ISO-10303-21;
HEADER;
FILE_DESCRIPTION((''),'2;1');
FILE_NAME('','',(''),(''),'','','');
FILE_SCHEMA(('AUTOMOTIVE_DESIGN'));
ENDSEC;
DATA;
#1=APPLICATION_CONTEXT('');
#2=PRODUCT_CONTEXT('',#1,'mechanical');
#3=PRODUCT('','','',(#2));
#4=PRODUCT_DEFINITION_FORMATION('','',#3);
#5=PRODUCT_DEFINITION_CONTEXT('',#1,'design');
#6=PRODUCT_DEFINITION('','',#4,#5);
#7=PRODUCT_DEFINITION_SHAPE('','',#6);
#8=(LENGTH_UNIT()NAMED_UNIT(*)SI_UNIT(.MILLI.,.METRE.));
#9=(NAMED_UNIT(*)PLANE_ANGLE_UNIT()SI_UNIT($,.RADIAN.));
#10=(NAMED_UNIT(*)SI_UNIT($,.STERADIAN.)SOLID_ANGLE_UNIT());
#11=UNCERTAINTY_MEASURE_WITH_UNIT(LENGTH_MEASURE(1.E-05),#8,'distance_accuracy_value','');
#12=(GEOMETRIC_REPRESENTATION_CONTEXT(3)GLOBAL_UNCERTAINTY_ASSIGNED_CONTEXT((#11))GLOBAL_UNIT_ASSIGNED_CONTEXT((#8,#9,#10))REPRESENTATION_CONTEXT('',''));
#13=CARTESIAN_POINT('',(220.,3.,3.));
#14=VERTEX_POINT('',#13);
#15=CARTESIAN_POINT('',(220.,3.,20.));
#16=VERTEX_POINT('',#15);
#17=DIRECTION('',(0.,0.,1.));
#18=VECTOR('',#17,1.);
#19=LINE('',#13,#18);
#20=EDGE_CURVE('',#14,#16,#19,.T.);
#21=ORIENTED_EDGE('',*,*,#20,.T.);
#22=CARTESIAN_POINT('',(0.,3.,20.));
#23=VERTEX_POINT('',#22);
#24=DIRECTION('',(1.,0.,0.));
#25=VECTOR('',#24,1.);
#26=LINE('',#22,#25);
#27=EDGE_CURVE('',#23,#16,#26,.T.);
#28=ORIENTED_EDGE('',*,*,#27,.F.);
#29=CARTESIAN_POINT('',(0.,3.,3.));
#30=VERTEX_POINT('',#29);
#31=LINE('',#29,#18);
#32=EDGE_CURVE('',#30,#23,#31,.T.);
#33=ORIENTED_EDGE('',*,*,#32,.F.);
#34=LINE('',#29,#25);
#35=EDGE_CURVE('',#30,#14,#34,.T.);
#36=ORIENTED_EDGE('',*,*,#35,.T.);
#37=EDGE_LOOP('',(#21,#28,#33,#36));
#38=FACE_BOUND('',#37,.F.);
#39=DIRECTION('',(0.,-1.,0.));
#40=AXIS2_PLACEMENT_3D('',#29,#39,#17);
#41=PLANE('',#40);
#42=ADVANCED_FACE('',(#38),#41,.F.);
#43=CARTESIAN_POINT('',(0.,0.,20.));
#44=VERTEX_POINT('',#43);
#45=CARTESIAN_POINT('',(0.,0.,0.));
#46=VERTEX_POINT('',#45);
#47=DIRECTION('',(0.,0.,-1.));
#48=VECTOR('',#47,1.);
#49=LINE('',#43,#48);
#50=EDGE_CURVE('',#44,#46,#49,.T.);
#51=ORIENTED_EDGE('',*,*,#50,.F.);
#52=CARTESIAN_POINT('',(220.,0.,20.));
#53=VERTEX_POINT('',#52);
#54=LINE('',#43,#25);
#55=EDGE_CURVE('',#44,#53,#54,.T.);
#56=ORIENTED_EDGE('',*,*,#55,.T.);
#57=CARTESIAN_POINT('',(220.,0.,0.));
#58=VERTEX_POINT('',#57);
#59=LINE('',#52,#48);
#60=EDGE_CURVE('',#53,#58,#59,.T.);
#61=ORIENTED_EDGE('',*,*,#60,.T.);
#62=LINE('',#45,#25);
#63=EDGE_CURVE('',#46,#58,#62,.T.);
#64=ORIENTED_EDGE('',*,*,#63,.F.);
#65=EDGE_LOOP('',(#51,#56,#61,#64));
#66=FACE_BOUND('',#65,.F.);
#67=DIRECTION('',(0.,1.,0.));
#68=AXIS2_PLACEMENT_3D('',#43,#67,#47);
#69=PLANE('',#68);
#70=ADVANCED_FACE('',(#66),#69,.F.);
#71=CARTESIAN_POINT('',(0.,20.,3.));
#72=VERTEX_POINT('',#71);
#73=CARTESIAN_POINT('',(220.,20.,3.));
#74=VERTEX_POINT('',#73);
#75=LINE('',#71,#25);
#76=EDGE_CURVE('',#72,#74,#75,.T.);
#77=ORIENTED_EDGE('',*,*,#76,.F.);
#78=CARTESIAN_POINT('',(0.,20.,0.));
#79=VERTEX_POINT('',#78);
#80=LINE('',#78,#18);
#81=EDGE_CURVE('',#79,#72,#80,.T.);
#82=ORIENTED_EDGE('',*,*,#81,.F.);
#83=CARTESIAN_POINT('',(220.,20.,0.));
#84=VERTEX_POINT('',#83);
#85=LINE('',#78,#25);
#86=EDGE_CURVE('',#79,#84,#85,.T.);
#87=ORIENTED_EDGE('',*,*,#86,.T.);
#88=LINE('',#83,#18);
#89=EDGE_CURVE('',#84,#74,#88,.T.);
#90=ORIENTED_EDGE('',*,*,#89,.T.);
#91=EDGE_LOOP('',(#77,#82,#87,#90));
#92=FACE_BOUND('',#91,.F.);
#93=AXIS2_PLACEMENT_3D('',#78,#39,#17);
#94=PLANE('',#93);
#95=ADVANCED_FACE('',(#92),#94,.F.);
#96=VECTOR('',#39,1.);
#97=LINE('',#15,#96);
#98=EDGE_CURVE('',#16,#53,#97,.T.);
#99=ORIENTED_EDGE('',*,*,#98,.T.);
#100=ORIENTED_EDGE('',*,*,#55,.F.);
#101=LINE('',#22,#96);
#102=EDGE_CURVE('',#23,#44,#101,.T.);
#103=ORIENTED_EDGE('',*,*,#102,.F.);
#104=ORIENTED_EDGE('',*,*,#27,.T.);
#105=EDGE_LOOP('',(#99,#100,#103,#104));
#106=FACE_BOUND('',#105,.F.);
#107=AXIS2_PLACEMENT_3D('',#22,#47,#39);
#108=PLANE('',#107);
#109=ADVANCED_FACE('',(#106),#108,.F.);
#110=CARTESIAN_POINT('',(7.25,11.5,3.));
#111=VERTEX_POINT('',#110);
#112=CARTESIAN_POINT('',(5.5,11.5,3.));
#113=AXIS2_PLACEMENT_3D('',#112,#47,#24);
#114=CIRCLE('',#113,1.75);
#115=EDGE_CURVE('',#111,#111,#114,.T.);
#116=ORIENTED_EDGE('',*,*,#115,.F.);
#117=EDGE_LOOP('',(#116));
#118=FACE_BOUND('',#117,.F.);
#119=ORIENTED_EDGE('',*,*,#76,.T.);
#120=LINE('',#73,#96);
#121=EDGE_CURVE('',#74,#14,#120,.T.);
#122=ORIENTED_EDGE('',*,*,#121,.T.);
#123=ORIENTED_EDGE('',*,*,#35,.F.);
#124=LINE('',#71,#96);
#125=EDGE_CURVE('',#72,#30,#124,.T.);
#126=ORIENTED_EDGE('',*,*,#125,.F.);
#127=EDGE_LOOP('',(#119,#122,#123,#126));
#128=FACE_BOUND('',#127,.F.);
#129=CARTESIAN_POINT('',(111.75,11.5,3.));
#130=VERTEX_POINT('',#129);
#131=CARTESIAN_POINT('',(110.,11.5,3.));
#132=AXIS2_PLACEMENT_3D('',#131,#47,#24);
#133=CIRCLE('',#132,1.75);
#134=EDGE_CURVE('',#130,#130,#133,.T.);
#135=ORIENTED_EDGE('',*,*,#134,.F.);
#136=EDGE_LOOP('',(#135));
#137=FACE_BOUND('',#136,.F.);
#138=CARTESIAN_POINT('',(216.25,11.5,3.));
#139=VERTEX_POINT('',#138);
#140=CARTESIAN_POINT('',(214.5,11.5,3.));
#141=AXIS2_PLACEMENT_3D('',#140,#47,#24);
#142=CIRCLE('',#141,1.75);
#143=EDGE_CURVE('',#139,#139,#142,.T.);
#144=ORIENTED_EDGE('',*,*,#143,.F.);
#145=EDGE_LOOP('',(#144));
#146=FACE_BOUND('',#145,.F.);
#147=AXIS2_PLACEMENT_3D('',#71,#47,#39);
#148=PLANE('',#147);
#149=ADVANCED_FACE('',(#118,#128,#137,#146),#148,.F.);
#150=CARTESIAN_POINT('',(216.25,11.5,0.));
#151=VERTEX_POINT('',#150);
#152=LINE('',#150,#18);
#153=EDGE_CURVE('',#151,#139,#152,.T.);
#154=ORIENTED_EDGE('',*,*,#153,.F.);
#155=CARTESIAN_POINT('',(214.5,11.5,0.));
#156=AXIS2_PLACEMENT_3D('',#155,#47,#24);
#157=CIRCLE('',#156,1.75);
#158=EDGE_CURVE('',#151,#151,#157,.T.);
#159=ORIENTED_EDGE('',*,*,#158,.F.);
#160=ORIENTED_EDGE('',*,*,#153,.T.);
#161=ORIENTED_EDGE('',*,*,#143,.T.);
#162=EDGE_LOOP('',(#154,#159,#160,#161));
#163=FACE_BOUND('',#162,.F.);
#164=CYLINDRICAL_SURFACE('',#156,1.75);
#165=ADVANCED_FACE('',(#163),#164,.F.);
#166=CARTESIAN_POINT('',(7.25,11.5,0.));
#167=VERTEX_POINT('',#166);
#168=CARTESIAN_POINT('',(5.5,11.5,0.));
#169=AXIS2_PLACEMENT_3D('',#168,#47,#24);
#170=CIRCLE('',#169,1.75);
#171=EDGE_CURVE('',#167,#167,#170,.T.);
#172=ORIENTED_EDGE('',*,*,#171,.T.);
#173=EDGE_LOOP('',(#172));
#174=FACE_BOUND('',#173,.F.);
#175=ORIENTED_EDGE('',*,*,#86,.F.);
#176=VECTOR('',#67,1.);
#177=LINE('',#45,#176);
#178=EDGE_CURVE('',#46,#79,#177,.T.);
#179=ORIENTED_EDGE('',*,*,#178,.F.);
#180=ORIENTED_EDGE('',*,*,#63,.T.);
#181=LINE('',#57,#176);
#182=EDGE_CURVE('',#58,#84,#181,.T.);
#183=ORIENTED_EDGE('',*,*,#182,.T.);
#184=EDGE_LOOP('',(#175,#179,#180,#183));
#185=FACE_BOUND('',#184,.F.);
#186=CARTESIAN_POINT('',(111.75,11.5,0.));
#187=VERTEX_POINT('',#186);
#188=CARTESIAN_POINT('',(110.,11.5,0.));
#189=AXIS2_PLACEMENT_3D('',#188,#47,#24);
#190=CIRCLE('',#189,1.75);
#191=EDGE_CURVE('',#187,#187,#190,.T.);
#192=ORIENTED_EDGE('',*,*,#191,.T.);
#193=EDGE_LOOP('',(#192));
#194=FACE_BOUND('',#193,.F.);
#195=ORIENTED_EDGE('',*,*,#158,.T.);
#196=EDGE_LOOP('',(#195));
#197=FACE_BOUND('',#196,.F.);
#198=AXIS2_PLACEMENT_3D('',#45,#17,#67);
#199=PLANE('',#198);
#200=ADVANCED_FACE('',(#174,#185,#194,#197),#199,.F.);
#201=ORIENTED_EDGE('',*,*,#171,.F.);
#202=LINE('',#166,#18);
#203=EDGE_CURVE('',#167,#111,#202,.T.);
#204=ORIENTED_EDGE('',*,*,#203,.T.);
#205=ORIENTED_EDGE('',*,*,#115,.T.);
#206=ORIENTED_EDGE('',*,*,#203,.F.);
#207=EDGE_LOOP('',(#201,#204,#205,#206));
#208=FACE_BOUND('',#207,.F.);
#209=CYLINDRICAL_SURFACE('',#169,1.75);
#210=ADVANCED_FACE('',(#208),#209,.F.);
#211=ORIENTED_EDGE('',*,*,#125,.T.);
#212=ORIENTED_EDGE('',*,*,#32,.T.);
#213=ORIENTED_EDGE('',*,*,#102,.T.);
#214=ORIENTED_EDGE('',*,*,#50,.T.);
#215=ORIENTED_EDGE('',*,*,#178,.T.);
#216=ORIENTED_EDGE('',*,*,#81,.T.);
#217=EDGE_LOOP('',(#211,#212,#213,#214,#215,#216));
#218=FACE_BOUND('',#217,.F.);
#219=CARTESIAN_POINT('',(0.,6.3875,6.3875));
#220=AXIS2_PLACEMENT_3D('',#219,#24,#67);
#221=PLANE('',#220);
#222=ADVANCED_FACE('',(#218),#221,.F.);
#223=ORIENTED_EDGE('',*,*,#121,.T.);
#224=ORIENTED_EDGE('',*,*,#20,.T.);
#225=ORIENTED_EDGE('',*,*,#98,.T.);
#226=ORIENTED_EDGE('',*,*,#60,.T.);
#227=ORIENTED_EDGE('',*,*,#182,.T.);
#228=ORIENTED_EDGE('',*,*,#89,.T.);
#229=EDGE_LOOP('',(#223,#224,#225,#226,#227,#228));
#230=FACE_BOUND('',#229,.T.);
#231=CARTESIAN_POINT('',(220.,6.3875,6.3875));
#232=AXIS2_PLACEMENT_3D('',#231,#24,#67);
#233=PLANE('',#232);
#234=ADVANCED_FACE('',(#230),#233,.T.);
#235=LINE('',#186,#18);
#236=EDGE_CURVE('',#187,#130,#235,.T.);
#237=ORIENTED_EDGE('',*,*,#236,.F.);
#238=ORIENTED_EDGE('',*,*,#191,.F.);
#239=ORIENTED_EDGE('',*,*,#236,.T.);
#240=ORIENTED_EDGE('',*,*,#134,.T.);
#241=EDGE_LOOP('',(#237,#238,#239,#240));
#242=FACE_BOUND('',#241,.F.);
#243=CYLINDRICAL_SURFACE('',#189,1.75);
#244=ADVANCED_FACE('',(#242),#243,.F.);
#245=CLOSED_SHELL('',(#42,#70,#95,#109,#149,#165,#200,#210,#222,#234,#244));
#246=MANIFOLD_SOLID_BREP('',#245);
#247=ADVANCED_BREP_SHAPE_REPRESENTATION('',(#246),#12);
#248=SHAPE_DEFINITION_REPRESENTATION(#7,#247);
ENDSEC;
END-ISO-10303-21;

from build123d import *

# Parameters (mm, degrees)
F1_DEPTH = 220
F2_R     = 1.75
F3_DEPTH = 25


with BuildPart() as f1:
    # F0 (on Right) → F1 (new body)
    with BuildSketch(Plane.YZ):
        Polygon((0, 20), (0, 0), (20, 0), (20, 3), (3, 3), (3, 20), align=None)
    extrude(amount=F1_DEPTH)

    # F2 (on face) → F3 (cut)
    with BuildSketch(Plane(origin=(0, 0, 0), x_dir=(1, 0, 0), z_dir=(0, 0, -1))):
        with Locations((5.5, -11.5)):
            Circle(F2_R)
        with Locations((110, -11.5)):
            Circle(F2_R)
        with Locations((214.5, -11.5)):
            Circle(F2_R)
    extrude(amount=-F3_DEPTH, mode=Mode.SUBTRACT)


solid = f1.part
